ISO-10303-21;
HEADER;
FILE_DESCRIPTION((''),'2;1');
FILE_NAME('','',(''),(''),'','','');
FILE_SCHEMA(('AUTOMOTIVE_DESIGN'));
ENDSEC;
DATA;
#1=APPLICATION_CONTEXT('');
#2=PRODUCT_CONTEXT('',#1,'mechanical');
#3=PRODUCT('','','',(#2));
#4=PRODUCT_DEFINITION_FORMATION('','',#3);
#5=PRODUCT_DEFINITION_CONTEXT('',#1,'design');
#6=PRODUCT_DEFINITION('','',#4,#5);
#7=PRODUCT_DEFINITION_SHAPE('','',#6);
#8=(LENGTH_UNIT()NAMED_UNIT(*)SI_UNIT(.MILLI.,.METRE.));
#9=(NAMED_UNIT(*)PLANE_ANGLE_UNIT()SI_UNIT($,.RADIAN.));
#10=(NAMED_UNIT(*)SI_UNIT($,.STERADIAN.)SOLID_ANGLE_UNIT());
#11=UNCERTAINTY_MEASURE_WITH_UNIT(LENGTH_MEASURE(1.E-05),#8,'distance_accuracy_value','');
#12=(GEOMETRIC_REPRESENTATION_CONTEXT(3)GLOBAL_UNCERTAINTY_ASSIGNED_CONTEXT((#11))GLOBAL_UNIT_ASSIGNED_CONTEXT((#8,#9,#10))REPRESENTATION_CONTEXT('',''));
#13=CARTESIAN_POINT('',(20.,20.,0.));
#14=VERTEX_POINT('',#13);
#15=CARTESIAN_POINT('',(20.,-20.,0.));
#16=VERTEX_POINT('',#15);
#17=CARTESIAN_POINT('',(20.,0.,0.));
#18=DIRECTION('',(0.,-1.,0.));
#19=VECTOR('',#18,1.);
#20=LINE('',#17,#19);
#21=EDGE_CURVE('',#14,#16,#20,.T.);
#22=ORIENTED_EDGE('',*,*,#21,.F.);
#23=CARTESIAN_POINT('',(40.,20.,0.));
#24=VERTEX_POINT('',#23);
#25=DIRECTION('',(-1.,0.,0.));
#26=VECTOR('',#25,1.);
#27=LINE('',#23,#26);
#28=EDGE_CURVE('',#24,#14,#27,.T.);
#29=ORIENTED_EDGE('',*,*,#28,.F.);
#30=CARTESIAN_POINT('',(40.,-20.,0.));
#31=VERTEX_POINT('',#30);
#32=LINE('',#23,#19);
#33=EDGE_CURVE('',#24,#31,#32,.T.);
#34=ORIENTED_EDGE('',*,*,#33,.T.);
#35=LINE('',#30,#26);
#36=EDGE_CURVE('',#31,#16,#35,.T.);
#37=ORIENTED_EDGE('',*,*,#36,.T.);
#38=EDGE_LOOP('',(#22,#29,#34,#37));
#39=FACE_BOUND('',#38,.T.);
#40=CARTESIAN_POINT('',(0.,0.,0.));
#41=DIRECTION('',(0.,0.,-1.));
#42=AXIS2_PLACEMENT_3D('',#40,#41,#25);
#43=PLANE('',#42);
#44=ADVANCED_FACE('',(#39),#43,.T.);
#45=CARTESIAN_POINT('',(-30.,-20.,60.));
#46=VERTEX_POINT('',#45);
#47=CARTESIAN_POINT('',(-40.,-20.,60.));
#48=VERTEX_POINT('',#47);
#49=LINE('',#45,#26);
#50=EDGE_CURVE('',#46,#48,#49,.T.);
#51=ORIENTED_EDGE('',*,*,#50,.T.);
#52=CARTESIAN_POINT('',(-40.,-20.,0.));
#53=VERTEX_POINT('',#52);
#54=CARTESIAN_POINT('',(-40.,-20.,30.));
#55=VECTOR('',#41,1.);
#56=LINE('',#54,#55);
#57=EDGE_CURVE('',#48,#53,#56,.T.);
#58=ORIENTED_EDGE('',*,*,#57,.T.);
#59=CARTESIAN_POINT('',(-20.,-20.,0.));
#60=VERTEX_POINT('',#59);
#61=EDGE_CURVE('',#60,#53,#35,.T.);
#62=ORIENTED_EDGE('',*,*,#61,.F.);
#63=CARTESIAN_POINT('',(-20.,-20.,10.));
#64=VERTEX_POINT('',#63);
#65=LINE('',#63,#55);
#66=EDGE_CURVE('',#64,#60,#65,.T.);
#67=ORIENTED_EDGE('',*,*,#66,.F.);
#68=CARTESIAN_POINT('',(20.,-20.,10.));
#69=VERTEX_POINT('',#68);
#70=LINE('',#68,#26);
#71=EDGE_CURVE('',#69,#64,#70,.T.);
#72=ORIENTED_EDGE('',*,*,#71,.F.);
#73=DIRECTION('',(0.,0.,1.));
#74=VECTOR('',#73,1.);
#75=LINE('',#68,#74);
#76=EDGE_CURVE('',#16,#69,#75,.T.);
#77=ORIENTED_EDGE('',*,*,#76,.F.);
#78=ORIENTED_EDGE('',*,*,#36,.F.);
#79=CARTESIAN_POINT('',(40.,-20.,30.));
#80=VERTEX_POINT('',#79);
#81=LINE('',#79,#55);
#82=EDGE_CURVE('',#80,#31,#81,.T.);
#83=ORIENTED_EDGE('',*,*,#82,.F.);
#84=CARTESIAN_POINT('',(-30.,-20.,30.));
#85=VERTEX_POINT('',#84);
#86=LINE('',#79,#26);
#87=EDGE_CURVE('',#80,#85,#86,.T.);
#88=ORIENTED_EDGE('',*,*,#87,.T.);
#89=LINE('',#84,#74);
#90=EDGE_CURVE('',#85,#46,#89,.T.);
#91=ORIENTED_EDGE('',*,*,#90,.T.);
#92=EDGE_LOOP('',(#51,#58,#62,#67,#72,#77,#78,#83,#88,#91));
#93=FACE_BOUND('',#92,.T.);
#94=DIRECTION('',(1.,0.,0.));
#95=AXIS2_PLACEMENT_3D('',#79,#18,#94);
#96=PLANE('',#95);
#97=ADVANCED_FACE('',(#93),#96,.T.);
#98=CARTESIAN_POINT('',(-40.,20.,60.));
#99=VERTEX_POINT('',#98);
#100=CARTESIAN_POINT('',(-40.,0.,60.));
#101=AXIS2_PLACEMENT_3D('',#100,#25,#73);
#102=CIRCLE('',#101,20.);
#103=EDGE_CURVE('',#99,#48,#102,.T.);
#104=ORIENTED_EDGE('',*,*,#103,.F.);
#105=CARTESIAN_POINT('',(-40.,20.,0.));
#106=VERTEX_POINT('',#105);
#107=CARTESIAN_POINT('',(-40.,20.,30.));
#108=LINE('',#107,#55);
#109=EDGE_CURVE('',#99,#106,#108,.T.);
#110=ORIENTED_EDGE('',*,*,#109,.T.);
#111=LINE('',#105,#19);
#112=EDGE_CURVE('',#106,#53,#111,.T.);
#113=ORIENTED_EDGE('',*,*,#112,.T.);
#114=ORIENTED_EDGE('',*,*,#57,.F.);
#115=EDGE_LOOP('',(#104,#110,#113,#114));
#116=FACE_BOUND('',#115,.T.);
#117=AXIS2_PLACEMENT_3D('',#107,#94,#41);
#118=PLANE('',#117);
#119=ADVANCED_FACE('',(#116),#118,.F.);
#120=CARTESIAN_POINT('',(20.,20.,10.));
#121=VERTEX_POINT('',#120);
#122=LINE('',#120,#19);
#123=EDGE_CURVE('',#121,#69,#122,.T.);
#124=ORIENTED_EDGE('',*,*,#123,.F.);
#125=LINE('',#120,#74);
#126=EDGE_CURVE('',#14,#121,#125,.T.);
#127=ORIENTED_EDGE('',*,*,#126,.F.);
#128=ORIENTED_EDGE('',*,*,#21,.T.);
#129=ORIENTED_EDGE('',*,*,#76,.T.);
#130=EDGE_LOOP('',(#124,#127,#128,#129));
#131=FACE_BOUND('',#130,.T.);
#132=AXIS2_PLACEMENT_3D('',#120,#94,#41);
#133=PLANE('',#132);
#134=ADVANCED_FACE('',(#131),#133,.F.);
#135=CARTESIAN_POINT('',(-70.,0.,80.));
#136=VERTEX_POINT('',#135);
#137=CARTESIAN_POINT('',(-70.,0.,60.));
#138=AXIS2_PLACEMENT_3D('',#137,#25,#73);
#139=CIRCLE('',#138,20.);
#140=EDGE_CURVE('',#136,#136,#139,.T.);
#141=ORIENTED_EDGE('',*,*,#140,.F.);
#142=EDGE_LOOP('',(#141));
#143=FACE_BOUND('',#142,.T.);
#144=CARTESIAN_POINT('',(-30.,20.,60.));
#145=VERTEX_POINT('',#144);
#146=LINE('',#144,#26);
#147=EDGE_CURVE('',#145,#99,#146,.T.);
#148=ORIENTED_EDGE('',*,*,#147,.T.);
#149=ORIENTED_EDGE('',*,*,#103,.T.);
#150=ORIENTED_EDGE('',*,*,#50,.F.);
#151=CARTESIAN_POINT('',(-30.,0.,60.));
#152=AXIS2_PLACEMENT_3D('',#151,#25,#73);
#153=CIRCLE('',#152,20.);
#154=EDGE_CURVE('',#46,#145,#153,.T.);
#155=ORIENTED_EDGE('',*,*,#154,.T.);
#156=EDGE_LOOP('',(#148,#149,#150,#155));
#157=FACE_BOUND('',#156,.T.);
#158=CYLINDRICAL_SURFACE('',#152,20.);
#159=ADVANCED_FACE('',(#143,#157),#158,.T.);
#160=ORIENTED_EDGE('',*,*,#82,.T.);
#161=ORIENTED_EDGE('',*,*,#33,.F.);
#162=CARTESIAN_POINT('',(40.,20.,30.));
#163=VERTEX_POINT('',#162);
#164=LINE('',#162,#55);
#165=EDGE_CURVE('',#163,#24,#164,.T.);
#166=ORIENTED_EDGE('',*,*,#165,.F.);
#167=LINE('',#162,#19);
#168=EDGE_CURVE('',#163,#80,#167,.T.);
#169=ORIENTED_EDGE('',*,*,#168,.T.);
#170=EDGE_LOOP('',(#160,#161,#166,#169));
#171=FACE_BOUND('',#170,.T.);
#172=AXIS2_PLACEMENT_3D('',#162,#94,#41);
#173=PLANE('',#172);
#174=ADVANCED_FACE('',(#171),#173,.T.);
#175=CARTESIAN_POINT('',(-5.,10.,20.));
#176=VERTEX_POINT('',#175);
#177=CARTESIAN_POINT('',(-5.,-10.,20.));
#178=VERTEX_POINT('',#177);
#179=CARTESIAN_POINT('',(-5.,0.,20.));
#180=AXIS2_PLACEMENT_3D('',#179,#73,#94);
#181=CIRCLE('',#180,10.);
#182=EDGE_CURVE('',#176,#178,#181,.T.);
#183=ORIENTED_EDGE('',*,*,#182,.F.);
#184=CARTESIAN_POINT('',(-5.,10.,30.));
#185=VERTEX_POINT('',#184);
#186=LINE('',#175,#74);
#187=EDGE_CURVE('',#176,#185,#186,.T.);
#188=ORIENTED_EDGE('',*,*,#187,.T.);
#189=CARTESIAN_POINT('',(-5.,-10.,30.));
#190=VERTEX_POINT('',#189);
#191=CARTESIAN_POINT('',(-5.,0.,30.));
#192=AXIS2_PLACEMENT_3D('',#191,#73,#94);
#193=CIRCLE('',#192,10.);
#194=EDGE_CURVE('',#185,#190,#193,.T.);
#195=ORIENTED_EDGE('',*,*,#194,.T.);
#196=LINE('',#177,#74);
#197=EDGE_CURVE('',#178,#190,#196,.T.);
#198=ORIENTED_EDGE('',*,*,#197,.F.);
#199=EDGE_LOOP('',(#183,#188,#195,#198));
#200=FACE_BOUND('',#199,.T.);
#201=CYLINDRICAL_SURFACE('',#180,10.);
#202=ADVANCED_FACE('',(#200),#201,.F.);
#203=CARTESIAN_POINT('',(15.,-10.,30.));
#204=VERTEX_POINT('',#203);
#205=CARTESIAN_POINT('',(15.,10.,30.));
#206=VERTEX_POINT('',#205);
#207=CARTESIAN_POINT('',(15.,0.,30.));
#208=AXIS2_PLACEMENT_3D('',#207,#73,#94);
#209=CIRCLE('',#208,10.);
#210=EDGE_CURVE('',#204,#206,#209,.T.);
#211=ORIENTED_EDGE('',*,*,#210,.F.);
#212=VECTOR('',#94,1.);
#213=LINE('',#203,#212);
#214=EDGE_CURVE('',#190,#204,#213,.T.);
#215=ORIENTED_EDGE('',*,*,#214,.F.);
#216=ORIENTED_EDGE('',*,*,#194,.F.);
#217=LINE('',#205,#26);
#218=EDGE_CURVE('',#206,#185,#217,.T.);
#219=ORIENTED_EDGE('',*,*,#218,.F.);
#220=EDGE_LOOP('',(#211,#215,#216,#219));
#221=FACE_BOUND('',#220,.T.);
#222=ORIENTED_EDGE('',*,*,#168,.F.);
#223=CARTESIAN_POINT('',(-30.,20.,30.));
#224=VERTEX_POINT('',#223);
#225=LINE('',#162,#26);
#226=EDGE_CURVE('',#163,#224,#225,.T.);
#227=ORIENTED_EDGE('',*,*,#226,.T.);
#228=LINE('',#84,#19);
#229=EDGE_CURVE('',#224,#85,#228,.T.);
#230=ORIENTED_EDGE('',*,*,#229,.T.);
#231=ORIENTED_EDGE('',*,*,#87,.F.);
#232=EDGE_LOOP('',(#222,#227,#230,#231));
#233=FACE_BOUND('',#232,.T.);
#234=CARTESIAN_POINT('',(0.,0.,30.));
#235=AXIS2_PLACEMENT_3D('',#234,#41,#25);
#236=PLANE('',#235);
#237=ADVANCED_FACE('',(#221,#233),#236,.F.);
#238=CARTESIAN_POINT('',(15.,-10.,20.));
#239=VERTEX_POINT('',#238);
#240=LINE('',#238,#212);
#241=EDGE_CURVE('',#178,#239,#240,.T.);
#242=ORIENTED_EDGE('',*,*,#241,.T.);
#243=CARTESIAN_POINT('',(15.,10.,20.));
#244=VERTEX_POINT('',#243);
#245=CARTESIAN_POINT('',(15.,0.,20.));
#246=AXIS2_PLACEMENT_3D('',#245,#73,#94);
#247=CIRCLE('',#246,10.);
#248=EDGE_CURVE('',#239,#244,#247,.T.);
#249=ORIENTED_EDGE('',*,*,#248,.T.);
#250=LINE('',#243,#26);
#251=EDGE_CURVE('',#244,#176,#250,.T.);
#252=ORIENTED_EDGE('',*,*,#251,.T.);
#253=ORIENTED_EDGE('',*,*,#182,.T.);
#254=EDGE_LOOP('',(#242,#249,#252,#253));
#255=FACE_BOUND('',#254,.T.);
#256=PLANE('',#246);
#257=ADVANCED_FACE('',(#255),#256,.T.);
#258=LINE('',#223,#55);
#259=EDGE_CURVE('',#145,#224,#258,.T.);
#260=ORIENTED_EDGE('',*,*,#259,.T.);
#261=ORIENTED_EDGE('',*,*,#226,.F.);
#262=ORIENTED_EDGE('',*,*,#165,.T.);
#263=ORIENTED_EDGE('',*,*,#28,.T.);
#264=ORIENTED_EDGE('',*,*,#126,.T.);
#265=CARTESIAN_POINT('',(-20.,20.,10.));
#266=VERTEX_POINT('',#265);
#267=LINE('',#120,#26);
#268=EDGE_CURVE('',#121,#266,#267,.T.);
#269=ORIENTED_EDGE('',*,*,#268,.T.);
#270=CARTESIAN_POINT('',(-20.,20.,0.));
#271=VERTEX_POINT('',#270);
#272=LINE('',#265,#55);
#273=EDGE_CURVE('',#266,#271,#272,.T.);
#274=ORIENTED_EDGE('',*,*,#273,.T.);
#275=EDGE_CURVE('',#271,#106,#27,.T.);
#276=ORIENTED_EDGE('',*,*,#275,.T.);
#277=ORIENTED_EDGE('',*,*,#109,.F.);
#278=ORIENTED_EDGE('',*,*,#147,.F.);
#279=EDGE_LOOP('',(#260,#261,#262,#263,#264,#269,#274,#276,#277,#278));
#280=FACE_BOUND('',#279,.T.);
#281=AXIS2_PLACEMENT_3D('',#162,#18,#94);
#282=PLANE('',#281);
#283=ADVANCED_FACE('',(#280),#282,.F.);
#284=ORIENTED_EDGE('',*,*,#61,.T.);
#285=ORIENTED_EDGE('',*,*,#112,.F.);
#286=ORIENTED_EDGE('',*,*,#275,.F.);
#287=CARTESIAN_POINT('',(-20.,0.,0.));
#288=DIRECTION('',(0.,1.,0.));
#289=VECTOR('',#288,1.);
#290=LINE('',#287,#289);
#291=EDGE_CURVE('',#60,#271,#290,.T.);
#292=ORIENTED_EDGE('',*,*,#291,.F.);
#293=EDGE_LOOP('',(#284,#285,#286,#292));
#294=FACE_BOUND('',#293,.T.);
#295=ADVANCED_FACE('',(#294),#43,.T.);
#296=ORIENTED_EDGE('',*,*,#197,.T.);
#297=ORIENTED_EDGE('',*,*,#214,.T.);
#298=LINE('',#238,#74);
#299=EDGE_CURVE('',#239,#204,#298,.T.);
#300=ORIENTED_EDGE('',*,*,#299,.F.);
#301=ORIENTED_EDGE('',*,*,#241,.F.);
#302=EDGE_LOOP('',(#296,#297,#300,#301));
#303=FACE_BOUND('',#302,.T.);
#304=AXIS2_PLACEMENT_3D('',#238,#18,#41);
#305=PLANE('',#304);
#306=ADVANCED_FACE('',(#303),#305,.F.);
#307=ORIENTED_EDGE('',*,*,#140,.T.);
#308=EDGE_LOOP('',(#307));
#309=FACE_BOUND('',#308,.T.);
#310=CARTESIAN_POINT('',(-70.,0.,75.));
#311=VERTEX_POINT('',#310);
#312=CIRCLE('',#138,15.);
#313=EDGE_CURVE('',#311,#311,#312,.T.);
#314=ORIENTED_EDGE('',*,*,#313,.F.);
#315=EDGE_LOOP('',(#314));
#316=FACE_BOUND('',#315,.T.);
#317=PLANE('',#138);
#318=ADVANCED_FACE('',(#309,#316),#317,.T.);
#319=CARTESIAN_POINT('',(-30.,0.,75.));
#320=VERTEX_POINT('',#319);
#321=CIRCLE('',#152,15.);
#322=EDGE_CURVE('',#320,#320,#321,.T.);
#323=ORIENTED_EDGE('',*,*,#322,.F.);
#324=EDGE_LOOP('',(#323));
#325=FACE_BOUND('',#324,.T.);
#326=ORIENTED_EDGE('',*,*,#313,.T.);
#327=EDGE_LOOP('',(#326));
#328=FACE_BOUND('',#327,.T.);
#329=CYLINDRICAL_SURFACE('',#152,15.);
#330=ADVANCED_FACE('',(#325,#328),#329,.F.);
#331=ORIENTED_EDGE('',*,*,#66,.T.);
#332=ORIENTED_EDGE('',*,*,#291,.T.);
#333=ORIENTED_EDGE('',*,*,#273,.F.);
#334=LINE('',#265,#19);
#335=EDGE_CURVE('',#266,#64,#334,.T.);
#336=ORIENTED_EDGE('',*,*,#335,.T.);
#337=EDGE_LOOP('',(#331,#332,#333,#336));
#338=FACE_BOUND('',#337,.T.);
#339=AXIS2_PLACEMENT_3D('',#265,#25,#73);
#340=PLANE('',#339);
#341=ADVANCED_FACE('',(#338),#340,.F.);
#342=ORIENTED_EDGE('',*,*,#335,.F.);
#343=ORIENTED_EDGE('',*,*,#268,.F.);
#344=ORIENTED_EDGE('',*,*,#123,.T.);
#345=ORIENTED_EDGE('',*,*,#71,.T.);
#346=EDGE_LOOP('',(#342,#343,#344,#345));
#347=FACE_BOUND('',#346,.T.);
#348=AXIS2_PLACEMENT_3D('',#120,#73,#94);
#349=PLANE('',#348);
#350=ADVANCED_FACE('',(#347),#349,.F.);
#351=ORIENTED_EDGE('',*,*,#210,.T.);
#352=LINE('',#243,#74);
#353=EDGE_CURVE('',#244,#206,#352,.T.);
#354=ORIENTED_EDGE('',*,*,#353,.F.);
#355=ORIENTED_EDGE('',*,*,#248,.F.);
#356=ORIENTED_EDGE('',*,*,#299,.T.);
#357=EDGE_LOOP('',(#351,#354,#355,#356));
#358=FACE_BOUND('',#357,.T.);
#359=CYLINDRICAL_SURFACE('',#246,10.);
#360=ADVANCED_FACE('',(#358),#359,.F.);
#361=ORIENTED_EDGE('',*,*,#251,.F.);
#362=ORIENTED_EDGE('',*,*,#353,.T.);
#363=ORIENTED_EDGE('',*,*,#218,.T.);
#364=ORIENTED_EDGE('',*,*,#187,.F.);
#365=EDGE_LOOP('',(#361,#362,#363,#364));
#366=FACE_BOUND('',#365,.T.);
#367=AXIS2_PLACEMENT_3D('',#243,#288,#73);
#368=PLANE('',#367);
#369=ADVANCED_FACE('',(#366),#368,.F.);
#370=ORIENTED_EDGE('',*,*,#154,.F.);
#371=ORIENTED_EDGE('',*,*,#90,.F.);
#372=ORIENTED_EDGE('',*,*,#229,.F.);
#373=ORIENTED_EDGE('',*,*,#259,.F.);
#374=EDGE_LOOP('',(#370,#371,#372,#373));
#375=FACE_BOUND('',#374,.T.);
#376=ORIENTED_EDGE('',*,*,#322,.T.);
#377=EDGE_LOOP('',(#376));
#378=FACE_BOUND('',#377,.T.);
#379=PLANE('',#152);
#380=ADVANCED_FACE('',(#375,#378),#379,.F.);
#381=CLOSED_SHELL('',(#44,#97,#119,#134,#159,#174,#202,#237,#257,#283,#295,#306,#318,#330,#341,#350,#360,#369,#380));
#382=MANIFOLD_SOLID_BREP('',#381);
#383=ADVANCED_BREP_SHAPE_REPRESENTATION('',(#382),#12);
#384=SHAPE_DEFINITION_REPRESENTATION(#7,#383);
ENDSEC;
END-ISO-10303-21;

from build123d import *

# Parameters (mm, degrees)
SKETCH_1_W          = 80
SKETCH_1_H          = 40
EXTRUDE_1_DEPTH     = 30
SKETCH_2_W          = 40
SKETCH_2_H          = 13.147576883
CUT_EXTRUDE_1_DEPTH = 65.031242374
CUT_EXTRUDE_2_DEPTH = 10
SKETCH_5_R          = 15
EXTRUDE_2_DEPTH     = 10
EXTRUDE_START       = 30
SKETCH_6_R          = 20
SKETCH_6_R_2        = 15
EXTRUDE_3_DEPTH     = 30


with BuildPart() as part:
    # 草圖1 → 填料-伸長1 (new body)
    with BuildSketch(Plane.XY):
        Rectangle(SKETCH_1_W, SKETCH_1_H)
    extrude(amount=EXTRUDE_1_DEPTH)

    # 草圖2 → 除料-伸長1 (cut, through all)
    with BuildSketch(Plane.XZ.offset(20)):
        with Locations((0, 3.426211558)):
            Rectangle(SKETCH_2_W, SKETCH_2_H)
    extrude(amount=-CUT_EXTRUDE_1_DEPTH, mode=Mode.SUBTRACT)

    # 草圖3 → 除料-伸長2 (cut)
    with BuildSketch(Plane.XY.offset(30)):
        with BuildLine():
            Line((15, -10), (-5, -10))
            ThreePointArc((-5, -10), (-15, 0), (-5, 10))
            Line((-5, 10), (15, 10))
            ThreePointArc((15, 10), (25, 0), (15, -10))
        make_face()
    extrude(amount=-CUT_EXTRUDE_2_DEPTH, mode=Mode.SUBTRACT)

    # 草圖5 → 填料-伸長2 (add)
    with BuildSketch(Plane.ZY.offset(40)):
        with BuildLine():
            Line((30, -20), (60, -20))
            ThreePointArc((60, -20), (80, 0), (60, 20))
            Line((60, 20), (30, 20))
            Line((30, 20), (30, -20))
        make_face()
        with Locations((60, 0)):
            Circle(SKETCH_5_R, mode=Mode.SUBTRACT)
    extrude(amount=-EXTRUDE_2_DEPTH)

    # 草圖6 → 填料-伸長3 (add)
    with BuildSketch(Plane.ZY.offset(40).offset(EXTRUDE_START)):
        with Locations((60, 0)):
            Circle(SKETCH_6_R)
        with Locations((60, 0)):
            Circle(SKETCH_6_R_2, mode=Mode.SUBTRACT)
    extrude(amount=-EXTRUDE_3_DEPTH)


solid = part.part
